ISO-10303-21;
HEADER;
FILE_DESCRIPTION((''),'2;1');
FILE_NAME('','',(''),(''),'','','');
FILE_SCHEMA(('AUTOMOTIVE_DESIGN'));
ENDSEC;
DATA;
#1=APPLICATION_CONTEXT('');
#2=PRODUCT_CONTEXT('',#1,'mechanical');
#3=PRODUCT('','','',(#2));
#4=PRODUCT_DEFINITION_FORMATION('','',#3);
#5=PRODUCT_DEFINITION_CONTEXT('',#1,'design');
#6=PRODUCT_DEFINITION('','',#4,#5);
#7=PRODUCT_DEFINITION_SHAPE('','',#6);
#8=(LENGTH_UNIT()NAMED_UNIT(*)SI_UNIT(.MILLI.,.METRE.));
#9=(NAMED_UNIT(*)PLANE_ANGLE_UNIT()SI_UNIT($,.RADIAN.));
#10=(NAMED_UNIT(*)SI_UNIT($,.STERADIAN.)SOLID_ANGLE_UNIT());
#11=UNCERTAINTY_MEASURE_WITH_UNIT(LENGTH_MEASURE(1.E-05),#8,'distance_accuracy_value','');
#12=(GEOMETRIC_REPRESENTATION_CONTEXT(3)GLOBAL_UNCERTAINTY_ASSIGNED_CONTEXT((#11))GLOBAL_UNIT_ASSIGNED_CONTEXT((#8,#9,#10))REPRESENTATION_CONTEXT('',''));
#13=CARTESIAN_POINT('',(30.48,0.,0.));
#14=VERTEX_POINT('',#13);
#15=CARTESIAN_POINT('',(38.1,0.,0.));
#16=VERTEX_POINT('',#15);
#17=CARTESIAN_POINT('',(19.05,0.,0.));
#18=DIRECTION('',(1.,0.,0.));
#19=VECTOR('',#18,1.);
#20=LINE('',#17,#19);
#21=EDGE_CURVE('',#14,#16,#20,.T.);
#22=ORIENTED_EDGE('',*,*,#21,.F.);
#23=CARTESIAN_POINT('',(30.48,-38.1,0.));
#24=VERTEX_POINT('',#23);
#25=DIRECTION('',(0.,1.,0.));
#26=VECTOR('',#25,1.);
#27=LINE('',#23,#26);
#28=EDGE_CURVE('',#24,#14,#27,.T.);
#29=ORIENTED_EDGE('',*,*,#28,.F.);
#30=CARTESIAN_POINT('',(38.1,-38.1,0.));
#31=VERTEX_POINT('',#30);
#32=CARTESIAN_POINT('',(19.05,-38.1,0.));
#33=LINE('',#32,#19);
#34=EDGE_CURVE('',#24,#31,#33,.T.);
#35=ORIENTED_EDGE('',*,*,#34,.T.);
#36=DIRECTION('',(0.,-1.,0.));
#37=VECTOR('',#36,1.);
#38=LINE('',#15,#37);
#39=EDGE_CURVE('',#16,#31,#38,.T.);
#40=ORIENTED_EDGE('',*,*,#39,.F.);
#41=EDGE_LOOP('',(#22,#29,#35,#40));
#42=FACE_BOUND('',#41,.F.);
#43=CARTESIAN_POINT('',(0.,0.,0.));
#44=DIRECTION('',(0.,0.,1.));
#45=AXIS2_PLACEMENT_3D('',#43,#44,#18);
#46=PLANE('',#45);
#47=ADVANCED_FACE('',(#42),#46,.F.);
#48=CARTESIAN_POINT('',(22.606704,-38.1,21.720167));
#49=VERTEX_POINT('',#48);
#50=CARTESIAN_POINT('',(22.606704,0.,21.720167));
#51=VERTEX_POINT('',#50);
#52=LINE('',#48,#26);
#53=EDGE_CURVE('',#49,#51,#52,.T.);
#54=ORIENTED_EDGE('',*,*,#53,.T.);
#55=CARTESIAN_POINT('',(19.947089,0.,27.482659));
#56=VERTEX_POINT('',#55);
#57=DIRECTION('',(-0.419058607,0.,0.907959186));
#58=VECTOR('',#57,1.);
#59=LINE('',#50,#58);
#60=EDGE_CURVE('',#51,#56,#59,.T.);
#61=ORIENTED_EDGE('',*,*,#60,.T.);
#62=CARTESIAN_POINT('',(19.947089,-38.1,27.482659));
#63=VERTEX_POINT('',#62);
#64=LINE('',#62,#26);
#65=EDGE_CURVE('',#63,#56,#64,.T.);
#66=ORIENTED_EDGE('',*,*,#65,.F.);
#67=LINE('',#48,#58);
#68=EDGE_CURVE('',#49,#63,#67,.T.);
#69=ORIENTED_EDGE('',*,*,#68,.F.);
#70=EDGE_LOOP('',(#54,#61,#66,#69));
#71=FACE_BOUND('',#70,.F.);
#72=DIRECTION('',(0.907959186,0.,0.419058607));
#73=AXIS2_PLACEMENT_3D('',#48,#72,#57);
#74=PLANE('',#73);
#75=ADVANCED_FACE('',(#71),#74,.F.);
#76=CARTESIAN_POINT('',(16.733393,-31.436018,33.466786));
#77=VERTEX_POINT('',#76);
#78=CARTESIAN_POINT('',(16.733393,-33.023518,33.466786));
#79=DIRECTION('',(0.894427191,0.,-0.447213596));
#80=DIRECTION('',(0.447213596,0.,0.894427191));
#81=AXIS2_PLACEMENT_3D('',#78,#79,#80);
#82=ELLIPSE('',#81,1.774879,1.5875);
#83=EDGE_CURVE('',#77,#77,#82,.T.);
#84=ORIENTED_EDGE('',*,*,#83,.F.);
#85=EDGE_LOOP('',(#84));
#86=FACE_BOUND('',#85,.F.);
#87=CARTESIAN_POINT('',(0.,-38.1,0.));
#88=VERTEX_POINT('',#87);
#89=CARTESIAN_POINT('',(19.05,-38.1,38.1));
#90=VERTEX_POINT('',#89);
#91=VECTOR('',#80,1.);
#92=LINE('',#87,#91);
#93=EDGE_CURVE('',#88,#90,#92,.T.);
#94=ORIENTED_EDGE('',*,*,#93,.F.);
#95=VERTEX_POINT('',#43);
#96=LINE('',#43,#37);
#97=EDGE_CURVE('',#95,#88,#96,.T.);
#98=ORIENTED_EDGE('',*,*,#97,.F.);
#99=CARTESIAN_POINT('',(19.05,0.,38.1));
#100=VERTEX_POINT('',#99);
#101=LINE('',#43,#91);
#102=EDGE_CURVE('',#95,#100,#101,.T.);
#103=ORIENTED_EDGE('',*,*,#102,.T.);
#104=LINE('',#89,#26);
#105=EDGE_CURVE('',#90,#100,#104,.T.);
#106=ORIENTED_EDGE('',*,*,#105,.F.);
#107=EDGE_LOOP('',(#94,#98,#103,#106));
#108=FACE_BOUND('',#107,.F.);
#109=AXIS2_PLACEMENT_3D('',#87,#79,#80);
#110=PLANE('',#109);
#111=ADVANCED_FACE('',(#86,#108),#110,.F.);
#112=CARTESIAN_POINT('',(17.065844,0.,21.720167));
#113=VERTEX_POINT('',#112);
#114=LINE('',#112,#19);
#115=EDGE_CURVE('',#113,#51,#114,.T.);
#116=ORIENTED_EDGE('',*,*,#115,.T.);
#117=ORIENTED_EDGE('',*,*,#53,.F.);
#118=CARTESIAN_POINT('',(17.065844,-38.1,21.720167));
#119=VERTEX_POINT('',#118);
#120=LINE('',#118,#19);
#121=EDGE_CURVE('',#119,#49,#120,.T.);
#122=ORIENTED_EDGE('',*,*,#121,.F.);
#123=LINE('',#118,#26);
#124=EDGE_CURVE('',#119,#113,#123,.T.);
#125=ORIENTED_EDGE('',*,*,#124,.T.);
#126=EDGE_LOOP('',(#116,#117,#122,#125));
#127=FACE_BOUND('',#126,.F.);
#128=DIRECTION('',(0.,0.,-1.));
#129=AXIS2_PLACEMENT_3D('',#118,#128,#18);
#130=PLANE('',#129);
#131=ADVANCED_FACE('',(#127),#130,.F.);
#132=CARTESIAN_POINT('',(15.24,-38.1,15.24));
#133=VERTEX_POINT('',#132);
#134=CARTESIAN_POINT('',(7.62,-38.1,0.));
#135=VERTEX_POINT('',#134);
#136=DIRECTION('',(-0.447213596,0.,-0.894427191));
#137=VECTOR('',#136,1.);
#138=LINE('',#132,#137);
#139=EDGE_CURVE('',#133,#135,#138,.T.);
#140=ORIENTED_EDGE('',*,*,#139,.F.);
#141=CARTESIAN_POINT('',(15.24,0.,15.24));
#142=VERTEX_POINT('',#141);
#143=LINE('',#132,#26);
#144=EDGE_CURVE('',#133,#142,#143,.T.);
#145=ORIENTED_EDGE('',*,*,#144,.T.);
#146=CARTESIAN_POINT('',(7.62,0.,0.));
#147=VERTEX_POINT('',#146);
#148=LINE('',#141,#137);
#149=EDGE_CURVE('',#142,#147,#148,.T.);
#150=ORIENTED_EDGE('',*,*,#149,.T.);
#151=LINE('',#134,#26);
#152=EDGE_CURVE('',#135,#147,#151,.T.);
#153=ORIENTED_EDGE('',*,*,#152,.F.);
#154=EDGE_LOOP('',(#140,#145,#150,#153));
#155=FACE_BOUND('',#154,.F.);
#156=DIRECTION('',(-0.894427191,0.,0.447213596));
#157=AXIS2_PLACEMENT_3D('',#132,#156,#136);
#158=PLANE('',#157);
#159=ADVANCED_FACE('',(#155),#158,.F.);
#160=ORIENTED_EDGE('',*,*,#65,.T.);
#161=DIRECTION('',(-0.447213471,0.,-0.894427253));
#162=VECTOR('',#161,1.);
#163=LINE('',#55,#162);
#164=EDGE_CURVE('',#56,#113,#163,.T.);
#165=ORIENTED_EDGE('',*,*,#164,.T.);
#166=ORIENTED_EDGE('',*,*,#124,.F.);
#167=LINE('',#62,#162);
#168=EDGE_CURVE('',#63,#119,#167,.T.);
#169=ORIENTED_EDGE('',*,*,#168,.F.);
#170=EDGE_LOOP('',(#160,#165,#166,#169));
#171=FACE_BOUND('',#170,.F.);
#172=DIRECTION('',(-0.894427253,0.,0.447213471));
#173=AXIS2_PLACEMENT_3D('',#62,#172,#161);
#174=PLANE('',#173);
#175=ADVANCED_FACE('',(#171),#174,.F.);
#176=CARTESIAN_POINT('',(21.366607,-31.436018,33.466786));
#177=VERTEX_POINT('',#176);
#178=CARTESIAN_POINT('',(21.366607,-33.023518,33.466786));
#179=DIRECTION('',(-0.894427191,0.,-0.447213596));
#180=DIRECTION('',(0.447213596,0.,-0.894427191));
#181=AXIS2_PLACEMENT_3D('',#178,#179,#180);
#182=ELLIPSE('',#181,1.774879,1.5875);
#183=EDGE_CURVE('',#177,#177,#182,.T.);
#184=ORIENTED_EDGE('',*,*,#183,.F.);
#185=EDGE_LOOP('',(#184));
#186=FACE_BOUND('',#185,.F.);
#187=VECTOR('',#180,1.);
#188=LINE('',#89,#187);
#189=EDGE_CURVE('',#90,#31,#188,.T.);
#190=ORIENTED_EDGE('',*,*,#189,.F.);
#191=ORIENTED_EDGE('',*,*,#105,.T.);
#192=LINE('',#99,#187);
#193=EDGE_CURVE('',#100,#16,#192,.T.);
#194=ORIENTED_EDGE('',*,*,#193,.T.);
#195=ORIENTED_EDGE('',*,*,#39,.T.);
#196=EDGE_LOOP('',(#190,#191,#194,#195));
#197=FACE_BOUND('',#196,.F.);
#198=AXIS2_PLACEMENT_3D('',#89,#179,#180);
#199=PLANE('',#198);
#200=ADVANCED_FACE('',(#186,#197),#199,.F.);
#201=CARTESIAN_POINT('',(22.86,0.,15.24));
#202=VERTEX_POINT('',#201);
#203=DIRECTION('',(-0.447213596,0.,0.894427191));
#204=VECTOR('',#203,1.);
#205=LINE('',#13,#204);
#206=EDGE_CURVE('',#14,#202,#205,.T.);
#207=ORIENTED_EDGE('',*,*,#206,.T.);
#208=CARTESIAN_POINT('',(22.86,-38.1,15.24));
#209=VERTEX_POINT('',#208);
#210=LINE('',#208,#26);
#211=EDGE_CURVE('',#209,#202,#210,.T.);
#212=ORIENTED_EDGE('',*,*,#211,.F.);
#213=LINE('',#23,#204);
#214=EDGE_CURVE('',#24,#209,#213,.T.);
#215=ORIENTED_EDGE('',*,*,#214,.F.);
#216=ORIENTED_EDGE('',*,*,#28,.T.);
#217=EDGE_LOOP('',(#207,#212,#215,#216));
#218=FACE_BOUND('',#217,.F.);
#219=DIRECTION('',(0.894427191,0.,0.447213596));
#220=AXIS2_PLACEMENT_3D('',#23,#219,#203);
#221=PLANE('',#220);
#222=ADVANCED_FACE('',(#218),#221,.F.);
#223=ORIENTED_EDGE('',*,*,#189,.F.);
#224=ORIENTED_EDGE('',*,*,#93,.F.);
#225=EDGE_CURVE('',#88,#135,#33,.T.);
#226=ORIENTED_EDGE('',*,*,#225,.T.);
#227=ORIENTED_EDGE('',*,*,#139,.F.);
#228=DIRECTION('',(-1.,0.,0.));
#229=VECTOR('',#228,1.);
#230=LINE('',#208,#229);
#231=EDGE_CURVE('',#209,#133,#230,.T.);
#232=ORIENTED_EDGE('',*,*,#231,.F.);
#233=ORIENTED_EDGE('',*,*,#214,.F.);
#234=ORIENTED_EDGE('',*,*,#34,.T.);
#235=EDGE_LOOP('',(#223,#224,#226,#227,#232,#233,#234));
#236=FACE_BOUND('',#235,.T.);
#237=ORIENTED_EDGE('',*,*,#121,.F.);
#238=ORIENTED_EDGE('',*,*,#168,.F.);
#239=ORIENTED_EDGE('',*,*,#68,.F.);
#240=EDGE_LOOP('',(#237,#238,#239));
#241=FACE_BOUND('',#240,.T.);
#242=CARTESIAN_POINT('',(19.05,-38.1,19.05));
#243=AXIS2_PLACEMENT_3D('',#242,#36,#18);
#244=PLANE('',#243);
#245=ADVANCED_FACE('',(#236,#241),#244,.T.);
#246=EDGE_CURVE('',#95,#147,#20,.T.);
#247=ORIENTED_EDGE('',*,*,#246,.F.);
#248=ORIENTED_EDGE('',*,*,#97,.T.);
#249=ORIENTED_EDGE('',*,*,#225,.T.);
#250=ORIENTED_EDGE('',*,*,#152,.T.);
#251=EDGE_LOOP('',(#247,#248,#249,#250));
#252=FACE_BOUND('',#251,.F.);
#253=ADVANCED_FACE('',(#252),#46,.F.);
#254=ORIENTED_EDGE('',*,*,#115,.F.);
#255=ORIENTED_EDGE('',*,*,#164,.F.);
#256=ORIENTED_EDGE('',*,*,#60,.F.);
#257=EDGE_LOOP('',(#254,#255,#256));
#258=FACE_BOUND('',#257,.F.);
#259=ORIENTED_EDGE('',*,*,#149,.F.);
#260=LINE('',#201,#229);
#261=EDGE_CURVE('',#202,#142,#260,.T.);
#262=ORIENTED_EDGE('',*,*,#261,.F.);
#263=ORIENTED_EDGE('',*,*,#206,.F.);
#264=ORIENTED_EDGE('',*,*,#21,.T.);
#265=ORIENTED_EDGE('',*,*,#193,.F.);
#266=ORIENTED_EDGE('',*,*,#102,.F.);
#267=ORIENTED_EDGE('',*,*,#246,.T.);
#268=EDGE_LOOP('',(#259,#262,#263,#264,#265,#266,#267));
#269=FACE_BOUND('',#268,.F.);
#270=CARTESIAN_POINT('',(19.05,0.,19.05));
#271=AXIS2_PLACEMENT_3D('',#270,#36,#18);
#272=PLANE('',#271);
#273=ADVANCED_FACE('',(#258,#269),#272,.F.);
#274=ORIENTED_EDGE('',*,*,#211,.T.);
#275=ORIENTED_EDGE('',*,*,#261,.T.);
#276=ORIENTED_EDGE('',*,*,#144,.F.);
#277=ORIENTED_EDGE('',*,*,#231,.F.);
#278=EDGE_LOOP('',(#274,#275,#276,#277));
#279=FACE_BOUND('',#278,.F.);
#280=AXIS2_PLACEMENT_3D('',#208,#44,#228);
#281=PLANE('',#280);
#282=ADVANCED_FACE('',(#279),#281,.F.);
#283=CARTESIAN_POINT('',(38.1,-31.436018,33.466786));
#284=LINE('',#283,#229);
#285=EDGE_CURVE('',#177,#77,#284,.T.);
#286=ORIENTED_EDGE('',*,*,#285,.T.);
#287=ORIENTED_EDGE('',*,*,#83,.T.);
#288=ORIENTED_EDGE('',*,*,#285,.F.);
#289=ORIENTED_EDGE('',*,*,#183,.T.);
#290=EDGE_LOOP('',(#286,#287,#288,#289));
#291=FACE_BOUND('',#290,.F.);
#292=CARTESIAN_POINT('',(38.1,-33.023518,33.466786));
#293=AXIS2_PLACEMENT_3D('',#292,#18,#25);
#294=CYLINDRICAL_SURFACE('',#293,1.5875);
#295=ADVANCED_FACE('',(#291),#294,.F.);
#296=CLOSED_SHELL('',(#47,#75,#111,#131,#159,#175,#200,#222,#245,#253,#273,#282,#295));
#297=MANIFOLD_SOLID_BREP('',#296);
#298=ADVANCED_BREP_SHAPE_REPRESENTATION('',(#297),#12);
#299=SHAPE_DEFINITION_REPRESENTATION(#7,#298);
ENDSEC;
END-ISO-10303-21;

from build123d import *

# Parameters (mm, degrees)
F0_W     = 38.1
F0_H     = 38.1
F1_DEPTH = 38.1
F5_DEPTH = 38.1
F6_R     = 1.5875
F7_DEPTH = 38.1


with BuildPart() as f1:
    # F0 (on Front) → F1 (new body)
    with BuildSketch(Plane.XZ):
        with Locations((19.05, 19.05)):
            Rectangle(F0_W, F0_H)
    extrude(amount=F1_DEPTH)

    # F4 (on offset) → F5 (cut)
    with BuildSketch(Plane.XZ.offset(38.1)):
        Polygon((19.05, 38.1), (0, 38.1), (0, 0), align=None)
        Polygon((22.606704, 21.720167), (19.947089, 27.482659), (17.065844, 21.720167), align=None)
        Polygon((15.24, 15.24), (7.62, 0), (30.48, 0), (22.86, 15.24), align=None)
        Polygon((38.1, 38.1), (19.05, 38.1), (38.1, 0), align=None)
    extrude(amount=-F5_DEPTH, mode=Mode.SUBTRACT)

    # F6 (on offset) → F7 (cut)
    with BuildSketch(Plane.YZ.offset(38.1)):
        with Locations((-33.023518, 33.466786)):
            Circle(F6_R)
    extrude(amount=-F7_DEPTH, mode=Mode.SUBTRACT)


solid = f1.part
